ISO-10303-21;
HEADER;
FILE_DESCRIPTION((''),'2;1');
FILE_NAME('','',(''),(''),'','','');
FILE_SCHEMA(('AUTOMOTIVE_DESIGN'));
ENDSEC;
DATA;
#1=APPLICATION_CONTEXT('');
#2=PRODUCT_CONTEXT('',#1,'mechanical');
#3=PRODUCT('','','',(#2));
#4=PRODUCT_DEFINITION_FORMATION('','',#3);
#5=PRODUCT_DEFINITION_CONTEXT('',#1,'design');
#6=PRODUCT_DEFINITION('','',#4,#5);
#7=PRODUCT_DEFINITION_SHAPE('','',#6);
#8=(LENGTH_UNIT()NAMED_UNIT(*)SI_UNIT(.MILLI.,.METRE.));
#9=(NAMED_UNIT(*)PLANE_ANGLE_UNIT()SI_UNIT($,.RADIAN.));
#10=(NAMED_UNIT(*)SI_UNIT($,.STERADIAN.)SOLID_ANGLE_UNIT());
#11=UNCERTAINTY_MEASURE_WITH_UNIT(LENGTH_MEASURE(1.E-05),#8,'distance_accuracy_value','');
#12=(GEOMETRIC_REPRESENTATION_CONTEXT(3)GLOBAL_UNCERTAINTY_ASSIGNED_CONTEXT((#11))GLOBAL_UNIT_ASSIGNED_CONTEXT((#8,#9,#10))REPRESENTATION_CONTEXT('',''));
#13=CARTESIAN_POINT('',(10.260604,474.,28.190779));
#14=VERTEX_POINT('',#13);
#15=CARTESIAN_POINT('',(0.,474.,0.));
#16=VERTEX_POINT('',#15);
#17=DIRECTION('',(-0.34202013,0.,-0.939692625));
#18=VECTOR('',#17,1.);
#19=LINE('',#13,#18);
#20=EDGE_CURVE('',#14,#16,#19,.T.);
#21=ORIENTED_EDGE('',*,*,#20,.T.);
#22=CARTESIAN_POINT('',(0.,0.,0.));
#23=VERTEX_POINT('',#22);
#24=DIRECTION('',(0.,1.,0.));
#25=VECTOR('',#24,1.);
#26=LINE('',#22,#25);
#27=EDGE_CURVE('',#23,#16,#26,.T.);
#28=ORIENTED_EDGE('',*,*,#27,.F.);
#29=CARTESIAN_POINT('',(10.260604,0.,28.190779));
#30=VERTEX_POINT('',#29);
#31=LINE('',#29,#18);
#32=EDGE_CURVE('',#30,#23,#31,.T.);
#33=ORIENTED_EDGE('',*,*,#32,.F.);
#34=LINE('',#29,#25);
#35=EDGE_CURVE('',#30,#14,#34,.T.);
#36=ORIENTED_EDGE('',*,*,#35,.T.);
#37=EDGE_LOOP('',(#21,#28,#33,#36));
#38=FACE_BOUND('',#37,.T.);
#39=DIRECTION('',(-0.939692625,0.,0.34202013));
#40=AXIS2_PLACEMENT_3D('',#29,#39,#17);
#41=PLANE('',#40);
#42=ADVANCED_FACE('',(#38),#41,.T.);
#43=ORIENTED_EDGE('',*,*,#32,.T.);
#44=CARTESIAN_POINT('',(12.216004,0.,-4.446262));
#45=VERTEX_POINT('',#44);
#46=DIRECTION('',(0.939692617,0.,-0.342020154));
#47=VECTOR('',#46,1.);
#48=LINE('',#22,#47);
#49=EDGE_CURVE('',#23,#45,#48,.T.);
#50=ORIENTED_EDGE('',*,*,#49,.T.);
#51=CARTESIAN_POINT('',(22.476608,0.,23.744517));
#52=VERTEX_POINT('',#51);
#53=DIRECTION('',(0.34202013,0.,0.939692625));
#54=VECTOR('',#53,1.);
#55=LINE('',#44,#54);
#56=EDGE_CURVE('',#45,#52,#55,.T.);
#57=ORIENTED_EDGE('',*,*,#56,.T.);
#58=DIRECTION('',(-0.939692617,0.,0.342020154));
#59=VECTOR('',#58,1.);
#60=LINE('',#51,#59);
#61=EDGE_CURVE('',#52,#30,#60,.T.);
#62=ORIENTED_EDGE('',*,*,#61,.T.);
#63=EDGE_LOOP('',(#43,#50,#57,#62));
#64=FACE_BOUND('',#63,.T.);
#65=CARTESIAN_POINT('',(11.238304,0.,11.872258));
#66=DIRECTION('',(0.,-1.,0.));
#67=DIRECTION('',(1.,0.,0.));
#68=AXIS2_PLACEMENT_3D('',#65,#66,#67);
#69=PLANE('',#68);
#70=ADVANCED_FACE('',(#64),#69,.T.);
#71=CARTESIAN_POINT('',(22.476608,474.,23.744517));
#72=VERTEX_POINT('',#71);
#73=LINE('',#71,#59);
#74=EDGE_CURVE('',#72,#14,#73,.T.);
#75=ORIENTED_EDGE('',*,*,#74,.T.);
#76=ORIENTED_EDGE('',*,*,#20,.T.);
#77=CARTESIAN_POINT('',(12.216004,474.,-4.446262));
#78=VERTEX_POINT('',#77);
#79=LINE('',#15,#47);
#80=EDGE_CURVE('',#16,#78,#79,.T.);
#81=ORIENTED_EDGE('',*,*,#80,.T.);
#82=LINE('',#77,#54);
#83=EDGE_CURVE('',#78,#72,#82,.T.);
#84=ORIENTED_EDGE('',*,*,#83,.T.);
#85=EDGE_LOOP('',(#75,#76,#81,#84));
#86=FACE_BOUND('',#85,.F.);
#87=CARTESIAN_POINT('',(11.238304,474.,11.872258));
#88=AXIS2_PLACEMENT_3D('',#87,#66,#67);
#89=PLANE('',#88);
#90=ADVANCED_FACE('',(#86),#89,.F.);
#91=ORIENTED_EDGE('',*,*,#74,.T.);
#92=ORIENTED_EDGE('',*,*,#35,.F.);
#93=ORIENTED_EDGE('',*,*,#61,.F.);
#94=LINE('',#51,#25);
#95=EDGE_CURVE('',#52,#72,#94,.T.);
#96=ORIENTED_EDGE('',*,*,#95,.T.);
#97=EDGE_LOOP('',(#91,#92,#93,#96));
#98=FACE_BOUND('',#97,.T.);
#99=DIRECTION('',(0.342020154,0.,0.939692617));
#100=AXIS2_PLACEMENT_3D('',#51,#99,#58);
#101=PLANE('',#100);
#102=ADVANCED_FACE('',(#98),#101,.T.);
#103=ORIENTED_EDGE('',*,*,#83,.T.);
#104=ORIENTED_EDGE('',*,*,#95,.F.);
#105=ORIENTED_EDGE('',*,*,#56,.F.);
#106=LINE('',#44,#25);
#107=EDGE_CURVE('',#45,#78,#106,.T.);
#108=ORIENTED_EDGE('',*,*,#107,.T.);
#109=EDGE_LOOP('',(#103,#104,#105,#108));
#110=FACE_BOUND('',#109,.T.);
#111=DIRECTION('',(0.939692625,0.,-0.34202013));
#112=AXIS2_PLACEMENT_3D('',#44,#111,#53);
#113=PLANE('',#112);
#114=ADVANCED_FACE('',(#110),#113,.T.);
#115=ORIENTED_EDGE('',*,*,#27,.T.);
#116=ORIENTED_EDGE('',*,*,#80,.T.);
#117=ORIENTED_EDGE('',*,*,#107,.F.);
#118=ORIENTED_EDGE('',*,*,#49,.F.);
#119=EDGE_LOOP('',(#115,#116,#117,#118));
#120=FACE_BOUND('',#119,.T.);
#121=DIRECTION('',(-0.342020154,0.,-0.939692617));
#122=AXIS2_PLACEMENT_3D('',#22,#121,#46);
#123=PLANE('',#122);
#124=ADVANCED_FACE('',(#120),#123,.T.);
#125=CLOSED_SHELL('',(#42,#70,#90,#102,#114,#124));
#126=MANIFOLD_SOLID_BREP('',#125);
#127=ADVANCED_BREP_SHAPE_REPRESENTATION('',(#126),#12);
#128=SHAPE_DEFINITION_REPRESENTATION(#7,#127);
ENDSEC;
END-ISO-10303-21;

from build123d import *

# Parameters (mm, degrees)
PAD_DEPTH = 474


with BuildPart() as part:
    # Sketch → Pad (new body)
    with BuildSketch(Plane.XZ):
        Polygon((12.216004, -4.446262), (22.476608, 23.744517), (10.260604, 28.190779), (0, 0), align=None)
    extrude(amount=-PAD_DEPTH)


solid = part.part
